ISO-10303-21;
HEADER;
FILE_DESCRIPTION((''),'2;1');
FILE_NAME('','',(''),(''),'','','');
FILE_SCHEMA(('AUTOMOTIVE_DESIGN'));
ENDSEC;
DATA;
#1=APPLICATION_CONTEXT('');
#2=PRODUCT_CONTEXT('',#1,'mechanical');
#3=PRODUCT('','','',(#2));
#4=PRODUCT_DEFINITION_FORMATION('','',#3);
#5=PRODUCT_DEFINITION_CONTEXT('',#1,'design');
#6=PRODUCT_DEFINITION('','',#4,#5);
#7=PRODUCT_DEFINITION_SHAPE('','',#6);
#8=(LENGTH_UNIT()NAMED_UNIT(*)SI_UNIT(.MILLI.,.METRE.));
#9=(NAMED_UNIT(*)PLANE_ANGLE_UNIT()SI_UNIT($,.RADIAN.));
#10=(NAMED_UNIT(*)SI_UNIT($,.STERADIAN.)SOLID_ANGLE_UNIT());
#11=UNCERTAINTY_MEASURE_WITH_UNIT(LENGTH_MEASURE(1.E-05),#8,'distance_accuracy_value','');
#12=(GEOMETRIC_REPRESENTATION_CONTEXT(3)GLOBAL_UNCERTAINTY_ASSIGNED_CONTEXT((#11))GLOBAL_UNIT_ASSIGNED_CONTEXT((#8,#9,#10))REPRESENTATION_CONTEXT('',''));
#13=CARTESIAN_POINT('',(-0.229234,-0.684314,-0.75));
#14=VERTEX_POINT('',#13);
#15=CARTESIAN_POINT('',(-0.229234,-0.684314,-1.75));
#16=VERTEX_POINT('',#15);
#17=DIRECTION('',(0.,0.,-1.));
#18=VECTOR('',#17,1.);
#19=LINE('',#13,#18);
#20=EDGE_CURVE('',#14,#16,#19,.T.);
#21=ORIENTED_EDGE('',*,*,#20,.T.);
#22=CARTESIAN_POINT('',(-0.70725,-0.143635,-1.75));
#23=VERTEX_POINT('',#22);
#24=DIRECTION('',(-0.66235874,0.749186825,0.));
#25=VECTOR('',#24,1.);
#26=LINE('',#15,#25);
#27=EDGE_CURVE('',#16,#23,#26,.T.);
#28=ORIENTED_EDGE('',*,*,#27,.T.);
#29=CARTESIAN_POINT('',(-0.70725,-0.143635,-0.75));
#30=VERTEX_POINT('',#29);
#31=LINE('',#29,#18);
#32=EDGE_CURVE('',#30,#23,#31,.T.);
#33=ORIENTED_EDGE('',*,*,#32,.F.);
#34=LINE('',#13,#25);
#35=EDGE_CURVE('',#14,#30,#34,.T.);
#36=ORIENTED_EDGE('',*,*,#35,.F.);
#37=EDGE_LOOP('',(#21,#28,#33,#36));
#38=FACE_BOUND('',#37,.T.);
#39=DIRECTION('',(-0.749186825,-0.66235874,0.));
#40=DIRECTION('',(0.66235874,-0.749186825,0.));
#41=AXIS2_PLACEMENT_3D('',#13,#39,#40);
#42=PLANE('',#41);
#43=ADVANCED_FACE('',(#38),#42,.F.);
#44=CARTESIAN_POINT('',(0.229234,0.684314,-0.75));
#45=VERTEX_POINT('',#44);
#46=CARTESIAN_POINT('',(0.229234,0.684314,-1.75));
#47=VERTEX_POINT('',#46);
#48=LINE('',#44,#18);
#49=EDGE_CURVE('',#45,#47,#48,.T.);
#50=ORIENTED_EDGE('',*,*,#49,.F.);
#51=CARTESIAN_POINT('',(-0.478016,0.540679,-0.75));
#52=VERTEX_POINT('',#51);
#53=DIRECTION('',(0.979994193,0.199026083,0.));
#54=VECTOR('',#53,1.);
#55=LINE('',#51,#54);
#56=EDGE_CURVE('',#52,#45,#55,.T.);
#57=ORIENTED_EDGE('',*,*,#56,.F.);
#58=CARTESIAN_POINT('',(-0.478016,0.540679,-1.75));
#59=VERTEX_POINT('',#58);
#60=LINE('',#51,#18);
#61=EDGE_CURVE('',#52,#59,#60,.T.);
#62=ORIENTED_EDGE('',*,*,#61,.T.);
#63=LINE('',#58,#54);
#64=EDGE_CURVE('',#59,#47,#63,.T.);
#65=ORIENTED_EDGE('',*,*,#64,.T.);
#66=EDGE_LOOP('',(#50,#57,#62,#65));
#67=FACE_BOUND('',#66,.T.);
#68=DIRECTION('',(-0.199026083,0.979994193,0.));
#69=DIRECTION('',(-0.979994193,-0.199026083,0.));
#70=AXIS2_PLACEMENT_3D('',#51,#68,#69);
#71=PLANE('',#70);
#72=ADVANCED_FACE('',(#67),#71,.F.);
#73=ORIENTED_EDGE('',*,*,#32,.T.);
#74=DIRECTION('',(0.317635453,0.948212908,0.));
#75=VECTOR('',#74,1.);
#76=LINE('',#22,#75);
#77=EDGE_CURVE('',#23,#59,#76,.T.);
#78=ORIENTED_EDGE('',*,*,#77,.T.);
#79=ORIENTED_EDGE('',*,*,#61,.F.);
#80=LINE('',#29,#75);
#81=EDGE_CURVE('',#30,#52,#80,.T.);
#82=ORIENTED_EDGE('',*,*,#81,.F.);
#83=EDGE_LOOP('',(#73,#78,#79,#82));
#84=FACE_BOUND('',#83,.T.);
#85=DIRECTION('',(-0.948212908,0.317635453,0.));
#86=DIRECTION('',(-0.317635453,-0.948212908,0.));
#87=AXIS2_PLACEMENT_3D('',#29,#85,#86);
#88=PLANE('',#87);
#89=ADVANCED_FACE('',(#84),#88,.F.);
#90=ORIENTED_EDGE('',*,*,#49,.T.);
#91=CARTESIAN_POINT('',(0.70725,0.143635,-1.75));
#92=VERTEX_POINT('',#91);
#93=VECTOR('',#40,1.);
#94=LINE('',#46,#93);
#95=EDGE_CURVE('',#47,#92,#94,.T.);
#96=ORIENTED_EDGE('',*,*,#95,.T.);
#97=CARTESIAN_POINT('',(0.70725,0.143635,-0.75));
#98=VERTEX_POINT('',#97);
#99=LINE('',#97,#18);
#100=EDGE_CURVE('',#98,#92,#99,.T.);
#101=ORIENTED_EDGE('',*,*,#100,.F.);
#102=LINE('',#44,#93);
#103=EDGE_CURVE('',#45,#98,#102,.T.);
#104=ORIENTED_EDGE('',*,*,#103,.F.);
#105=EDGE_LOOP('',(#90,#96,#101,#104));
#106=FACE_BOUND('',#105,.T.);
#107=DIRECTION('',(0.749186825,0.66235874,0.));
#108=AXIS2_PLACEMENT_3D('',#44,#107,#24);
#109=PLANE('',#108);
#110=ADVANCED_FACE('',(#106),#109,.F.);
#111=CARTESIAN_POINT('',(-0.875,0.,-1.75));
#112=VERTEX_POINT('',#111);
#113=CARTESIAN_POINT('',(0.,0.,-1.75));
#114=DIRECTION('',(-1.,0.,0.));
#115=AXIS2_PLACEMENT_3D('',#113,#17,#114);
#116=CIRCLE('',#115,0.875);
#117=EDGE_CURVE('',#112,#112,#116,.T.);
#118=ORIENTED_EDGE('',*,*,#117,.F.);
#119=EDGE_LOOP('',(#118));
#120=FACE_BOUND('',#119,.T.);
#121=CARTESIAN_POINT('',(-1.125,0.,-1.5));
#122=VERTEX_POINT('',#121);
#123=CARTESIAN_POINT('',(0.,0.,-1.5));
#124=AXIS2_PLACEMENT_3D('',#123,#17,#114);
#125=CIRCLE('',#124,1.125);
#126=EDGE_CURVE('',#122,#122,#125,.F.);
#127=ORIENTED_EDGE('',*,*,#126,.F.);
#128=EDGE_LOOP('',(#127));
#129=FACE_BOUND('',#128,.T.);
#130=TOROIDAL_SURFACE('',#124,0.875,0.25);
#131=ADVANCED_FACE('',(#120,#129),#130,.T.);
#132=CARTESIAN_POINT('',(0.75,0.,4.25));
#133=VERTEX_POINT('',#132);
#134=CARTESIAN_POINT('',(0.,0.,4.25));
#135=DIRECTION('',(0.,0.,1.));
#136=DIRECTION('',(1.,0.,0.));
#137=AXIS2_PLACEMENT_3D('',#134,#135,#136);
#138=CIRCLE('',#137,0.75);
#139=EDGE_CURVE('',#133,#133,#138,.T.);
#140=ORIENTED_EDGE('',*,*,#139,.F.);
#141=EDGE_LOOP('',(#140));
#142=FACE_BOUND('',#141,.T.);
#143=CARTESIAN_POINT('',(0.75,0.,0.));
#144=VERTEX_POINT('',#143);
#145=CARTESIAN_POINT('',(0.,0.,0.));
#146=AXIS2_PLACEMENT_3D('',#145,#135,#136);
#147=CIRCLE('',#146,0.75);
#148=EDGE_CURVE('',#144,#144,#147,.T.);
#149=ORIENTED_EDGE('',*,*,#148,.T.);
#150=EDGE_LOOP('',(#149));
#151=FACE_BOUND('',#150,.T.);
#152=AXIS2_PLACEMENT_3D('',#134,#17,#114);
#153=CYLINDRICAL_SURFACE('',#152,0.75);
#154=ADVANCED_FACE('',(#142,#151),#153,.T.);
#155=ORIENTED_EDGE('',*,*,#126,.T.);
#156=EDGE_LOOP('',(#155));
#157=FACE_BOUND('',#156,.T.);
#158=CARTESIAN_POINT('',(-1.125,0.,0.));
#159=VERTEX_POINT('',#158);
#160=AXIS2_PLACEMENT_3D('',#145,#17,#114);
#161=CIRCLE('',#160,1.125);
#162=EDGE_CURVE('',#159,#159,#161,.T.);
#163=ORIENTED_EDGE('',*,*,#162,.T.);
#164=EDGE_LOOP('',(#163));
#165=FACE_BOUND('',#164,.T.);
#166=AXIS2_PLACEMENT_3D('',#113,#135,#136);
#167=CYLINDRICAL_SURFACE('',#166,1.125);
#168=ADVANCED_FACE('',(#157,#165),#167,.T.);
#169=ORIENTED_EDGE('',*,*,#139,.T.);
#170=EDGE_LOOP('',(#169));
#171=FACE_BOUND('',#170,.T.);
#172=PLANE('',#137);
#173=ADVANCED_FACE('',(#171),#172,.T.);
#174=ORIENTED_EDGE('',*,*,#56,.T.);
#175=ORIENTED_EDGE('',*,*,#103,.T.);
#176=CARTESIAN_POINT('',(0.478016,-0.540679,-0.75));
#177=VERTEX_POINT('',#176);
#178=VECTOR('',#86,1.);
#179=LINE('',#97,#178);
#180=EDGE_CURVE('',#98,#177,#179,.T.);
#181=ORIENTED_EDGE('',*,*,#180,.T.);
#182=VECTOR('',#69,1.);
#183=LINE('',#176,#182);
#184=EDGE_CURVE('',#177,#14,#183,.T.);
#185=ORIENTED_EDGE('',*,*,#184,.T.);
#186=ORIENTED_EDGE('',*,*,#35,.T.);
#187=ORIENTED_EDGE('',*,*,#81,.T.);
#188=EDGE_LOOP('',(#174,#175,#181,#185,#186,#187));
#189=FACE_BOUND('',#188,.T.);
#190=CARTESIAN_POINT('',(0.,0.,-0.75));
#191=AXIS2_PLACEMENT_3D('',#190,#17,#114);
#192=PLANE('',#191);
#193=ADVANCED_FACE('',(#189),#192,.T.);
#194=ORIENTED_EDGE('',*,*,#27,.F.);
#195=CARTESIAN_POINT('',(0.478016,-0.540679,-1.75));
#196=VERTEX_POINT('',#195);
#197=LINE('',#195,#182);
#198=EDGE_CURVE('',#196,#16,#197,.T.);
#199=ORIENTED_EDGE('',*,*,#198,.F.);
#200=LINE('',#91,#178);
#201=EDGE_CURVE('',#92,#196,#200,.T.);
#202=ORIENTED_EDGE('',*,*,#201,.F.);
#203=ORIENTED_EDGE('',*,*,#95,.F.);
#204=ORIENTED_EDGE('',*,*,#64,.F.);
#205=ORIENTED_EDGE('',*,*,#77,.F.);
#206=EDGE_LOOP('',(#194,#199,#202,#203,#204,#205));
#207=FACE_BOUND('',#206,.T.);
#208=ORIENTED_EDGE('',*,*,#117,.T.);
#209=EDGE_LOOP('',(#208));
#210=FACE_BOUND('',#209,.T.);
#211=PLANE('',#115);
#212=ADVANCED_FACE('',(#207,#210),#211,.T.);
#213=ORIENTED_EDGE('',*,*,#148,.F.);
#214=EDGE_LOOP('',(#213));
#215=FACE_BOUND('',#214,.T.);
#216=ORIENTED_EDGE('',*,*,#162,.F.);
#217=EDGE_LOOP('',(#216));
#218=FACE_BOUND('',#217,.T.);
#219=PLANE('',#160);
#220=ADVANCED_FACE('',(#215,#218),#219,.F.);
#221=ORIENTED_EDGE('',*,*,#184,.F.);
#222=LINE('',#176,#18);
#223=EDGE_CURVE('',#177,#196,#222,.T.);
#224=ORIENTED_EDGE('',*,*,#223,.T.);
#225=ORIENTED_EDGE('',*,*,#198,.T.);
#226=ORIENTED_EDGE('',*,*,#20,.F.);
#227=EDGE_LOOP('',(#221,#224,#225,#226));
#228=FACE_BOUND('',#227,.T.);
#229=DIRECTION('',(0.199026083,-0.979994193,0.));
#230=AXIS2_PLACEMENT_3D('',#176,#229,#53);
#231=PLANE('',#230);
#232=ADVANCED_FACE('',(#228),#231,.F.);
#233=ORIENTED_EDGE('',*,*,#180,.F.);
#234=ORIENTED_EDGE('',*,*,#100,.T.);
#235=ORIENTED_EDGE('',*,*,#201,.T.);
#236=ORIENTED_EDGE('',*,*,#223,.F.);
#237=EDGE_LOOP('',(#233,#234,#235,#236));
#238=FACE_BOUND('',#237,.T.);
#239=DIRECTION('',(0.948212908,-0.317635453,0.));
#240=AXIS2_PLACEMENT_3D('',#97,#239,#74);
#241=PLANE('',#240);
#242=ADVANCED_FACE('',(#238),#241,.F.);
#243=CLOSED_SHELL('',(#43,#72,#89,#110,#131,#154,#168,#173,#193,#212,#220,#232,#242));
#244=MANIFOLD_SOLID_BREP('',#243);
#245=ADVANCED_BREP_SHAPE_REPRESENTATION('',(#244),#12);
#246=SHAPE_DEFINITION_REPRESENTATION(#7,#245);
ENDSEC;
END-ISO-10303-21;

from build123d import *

# Parameters (mm, degrees)
SKETCH1_R           = 0.75
BOSS_EXTRUDE1_DEPTH = 4.25
SKETCH2_R           = 1.125
BOSS_EXTRUDE2_DEPTH = 1.75
FILLET1_R           = 0.25
CUT_EXTRUDE1_DEPTH  = 1


with BuildPart() as part:
    # Sketch1 → Boss-Extrude1 (new body)
    with BuildSketch(Plane.XY):
        Circle(SKETCH1_R)
    extrude(amount=BOSS_EXTRUDE1_DEPTH)

    # Sketch2 → Boss-Extrude2 (add)
    with BuildSketch(Plane(origin=(0, 0, 0), x_dir=(-1, 0, 0), z_dir=(0, 0, -1))):
        Circle(SKETCH2_R)
    extrude(amount=BOSS_EXTRUDE2_DEPTH)

    # Fillet1
    fillet1_edges = [part.edges().sort_by_distance(p)[0] for p in [
        (1.125, 0, -1.75),
    ]]
    fillet(fillet1_edges, radius=FILLET1_R)

    # Sketch3 → Cut-Extrude1 (cut)
    with BuildSketch(Plane(origin=(0, 0, -1.75), x_dir=(-1, 0, 0), z_dir=(0, 0, -1))):
        Polygon((0.229233643, -0.684313722), (0.707249889, -0.143634703), (0.478016246, 0.540679019), (-0.229233643, 0.684313722), (-0.707249889, 0.143634703), (-0.478016246, -0.540679019), align=None)
    extrude(amount=-CUT_EXTRUDE1_DEPTH, mode=Mode.SUBTRACT)


solid = part.part
